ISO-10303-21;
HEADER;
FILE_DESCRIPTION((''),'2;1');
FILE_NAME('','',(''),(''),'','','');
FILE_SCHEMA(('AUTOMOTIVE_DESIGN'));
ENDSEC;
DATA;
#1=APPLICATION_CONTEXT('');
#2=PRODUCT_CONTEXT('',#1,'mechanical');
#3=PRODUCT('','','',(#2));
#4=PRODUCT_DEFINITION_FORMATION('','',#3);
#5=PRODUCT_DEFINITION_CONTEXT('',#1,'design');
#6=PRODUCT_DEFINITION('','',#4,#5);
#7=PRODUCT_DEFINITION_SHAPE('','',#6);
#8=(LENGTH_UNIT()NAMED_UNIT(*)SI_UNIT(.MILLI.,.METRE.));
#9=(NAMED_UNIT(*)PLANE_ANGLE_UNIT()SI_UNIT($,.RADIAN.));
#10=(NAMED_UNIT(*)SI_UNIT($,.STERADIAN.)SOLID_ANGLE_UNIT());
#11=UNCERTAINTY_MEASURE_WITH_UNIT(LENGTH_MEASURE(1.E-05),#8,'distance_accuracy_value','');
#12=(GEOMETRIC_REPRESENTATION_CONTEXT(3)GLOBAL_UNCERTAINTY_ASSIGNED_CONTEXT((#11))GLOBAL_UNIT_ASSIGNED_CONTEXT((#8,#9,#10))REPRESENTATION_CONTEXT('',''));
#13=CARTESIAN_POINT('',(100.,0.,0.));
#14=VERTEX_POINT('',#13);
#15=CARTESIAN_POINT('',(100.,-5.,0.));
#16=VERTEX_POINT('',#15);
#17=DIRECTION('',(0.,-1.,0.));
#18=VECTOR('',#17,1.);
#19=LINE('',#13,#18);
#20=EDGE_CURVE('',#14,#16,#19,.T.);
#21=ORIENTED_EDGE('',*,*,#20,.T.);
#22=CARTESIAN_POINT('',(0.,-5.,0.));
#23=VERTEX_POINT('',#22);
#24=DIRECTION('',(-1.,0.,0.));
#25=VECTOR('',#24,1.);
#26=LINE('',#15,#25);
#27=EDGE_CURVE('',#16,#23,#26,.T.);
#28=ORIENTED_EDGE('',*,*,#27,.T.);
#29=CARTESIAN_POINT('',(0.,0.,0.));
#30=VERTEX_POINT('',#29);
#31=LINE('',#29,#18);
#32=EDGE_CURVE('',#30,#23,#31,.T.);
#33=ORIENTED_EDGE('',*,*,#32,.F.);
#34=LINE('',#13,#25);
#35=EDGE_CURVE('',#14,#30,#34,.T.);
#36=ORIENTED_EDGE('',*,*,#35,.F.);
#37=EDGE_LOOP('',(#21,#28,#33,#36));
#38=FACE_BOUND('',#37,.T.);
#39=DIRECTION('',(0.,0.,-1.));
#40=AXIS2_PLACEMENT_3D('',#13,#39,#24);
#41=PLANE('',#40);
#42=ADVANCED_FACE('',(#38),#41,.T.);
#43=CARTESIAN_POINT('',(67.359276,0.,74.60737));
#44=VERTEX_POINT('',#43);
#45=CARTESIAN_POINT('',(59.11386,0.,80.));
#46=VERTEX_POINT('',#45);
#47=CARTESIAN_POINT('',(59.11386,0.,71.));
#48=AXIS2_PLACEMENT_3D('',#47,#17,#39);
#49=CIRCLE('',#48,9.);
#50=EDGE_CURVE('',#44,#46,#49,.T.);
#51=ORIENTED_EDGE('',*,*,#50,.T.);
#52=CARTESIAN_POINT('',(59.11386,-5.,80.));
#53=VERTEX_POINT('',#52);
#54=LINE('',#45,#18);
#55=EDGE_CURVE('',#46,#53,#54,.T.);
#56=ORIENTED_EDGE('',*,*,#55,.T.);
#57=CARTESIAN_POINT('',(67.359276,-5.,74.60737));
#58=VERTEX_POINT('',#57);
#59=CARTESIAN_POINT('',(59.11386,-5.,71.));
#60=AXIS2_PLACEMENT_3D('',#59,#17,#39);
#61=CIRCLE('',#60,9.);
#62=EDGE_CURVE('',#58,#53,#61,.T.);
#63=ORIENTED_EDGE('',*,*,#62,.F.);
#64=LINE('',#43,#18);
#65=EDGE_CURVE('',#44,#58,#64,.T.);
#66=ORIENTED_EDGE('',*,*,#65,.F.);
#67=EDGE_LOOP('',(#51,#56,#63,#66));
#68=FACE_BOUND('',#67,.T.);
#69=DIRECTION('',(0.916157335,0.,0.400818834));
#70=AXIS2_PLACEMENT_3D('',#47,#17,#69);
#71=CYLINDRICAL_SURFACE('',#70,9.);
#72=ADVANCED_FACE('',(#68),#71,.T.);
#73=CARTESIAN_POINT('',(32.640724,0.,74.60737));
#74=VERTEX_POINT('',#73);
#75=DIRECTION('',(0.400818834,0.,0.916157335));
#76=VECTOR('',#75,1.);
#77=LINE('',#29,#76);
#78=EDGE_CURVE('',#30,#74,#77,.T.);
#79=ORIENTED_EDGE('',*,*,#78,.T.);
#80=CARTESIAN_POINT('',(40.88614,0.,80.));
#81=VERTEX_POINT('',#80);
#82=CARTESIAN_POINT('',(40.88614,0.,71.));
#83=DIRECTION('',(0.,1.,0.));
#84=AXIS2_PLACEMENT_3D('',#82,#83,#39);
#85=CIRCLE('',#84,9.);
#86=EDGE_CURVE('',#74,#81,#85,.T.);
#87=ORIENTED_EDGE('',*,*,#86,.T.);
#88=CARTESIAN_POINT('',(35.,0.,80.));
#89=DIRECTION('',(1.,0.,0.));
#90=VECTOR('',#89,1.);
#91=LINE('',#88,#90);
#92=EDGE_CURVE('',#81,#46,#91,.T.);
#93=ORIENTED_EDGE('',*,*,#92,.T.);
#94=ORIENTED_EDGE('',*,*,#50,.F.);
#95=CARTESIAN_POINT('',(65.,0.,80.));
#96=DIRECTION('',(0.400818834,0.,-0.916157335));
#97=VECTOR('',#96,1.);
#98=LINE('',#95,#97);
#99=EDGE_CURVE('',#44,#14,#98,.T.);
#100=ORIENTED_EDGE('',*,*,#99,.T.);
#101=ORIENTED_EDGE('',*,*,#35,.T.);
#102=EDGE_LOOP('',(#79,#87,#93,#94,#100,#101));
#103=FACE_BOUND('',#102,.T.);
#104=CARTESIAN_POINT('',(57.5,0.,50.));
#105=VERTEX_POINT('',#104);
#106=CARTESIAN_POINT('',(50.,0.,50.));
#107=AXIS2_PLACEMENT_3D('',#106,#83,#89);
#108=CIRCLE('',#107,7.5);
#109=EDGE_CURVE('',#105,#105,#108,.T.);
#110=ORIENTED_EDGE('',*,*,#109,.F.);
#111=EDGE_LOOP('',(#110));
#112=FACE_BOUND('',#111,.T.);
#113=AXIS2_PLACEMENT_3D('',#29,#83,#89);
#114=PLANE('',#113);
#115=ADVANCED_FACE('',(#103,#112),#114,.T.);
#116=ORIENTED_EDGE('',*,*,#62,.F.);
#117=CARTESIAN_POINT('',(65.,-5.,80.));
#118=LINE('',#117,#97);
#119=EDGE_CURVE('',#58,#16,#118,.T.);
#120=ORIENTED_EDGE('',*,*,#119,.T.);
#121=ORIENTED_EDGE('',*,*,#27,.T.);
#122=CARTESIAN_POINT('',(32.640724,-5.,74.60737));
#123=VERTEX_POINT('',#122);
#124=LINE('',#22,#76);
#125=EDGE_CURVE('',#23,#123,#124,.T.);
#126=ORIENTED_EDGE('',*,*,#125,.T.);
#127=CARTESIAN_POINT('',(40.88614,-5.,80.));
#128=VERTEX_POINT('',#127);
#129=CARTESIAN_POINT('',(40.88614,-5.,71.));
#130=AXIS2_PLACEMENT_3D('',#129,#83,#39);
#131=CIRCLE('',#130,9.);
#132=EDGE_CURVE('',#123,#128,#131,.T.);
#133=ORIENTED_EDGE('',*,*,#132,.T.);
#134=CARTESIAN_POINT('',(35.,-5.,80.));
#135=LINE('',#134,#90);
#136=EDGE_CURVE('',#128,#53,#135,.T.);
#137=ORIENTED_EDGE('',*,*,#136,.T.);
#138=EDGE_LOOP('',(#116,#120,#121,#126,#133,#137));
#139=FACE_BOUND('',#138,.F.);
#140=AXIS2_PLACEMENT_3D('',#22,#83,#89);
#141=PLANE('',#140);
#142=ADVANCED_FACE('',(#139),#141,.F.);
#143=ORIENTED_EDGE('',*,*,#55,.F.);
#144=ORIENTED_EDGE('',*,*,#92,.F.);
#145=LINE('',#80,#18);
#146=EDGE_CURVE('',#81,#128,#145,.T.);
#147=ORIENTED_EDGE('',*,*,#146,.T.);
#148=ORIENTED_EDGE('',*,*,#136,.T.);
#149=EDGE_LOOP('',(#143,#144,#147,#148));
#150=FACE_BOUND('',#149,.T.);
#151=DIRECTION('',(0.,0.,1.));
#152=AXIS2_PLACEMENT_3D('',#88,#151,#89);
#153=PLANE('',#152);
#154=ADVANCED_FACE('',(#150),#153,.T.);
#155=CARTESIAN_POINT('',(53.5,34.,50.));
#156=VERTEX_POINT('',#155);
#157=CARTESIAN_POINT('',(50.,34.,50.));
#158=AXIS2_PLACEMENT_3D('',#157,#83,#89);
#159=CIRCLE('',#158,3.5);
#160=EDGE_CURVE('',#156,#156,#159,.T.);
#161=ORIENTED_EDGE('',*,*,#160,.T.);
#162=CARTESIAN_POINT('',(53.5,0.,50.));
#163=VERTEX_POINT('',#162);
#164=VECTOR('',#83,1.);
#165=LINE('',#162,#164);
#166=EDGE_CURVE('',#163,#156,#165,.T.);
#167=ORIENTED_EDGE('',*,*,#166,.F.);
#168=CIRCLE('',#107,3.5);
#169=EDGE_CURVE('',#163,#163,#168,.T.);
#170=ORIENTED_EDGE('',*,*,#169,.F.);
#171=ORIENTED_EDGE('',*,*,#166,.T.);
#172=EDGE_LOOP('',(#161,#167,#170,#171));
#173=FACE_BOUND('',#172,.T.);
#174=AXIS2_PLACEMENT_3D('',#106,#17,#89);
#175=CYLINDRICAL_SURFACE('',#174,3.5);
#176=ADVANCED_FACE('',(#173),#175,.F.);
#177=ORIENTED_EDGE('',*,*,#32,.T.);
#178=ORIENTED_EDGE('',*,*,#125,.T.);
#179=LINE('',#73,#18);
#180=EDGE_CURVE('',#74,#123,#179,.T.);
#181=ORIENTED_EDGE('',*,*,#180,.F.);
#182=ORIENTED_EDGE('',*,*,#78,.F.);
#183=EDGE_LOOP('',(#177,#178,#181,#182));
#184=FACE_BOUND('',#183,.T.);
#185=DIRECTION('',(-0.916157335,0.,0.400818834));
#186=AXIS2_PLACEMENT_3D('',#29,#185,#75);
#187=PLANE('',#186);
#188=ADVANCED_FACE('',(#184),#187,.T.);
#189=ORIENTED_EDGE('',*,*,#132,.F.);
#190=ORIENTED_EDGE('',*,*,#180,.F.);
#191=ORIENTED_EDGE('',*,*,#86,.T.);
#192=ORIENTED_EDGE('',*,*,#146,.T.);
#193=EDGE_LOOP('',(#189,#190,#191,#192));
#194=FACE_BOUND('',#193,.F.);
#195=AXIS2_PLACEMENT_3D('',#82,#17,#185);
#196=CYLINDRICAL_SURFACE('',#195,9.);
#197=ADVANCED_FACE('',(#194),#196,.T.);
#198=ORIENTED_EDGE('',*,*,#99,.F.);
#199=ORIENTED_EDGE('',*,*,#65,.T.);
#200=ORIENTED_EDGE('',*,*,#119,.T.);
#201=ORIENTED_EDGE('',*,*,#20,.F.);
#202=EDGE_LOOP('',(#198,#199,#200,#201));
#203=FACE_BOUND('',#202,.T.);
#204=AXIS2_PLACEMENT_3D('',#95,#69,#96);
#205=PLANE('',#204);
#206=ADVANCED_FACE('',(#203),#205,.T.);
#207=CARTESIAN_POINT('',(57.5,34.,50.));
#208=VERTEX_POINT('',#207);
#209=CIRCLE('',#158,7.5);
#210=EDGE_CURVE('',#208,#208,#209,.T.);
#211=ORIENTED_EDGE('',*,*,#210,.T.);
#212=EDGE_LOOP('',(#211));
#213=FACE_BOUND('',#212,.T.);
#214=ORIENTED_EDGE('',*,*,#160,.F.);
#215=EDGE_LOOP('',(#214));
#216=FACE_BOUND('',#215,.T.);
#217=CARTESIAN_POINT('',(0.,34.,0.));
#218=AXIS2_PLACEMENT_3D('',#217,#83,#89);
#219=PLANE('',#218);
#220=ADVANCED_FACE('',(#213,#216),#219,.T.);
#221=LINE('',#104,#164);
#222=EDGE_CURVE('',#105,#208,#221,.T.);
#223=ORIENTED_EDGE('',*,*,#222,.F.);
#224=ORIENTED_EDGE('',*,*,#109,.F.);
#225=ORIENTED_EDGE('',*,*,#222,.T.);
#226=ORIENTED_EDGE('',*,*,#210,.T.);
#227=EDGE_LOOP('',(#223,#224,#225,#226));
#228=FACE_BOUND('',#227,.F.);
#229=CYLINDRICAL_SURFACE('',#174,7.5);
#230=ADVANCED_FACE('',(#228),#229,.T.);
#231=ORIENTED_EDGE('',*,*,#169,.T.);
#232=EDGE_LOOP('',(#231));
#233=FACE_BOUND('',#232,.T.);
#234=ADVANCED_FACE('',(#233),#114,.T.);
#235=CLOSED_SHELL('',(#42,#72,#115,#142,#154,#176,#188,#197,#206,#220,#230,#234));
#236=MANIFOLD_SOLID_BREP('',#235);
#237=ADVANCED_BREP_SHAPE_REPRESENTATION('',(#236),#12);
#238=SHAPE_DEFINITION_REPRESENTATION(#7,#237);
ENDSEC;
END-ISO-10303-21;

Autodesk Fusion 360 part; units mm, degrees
sketch "Sketch1" plane through (0, 0, 0) normal (0, 1, 0) x (1, 0, 0)
  line L0 (0, 0) -> (35, -80)
  line L1 (35, -80) -> (65, -80)
  line L2 (65, -80) -> (100, 0)
  line L3 (100, 0) -> (0, 0)
  circle A0 centre (50, -50) radius 7.5
  circle A1 centre (50, -50) radius 3.5
  dimension "d1" = 100
  dimension "d2" = 30
  dimension "d4" = 80
  dimension "d5" = 35
  dimension "d6" = 50
  dimension "d7" = 15
  dimension "d8" = 15
  dimension "d13" = 7
extrude "Extrude1" add sketch "Sketch1" against normal blind 5 contours L0 L1 L2 L3 | A0 | A1
extrude "Extrude2" add sketch "Sketch1" along normal blind 34 contours A0
fillet "Fillet1" radius 9 2 edges at (65, -2.5, 80) (35, -2.5, 80)
